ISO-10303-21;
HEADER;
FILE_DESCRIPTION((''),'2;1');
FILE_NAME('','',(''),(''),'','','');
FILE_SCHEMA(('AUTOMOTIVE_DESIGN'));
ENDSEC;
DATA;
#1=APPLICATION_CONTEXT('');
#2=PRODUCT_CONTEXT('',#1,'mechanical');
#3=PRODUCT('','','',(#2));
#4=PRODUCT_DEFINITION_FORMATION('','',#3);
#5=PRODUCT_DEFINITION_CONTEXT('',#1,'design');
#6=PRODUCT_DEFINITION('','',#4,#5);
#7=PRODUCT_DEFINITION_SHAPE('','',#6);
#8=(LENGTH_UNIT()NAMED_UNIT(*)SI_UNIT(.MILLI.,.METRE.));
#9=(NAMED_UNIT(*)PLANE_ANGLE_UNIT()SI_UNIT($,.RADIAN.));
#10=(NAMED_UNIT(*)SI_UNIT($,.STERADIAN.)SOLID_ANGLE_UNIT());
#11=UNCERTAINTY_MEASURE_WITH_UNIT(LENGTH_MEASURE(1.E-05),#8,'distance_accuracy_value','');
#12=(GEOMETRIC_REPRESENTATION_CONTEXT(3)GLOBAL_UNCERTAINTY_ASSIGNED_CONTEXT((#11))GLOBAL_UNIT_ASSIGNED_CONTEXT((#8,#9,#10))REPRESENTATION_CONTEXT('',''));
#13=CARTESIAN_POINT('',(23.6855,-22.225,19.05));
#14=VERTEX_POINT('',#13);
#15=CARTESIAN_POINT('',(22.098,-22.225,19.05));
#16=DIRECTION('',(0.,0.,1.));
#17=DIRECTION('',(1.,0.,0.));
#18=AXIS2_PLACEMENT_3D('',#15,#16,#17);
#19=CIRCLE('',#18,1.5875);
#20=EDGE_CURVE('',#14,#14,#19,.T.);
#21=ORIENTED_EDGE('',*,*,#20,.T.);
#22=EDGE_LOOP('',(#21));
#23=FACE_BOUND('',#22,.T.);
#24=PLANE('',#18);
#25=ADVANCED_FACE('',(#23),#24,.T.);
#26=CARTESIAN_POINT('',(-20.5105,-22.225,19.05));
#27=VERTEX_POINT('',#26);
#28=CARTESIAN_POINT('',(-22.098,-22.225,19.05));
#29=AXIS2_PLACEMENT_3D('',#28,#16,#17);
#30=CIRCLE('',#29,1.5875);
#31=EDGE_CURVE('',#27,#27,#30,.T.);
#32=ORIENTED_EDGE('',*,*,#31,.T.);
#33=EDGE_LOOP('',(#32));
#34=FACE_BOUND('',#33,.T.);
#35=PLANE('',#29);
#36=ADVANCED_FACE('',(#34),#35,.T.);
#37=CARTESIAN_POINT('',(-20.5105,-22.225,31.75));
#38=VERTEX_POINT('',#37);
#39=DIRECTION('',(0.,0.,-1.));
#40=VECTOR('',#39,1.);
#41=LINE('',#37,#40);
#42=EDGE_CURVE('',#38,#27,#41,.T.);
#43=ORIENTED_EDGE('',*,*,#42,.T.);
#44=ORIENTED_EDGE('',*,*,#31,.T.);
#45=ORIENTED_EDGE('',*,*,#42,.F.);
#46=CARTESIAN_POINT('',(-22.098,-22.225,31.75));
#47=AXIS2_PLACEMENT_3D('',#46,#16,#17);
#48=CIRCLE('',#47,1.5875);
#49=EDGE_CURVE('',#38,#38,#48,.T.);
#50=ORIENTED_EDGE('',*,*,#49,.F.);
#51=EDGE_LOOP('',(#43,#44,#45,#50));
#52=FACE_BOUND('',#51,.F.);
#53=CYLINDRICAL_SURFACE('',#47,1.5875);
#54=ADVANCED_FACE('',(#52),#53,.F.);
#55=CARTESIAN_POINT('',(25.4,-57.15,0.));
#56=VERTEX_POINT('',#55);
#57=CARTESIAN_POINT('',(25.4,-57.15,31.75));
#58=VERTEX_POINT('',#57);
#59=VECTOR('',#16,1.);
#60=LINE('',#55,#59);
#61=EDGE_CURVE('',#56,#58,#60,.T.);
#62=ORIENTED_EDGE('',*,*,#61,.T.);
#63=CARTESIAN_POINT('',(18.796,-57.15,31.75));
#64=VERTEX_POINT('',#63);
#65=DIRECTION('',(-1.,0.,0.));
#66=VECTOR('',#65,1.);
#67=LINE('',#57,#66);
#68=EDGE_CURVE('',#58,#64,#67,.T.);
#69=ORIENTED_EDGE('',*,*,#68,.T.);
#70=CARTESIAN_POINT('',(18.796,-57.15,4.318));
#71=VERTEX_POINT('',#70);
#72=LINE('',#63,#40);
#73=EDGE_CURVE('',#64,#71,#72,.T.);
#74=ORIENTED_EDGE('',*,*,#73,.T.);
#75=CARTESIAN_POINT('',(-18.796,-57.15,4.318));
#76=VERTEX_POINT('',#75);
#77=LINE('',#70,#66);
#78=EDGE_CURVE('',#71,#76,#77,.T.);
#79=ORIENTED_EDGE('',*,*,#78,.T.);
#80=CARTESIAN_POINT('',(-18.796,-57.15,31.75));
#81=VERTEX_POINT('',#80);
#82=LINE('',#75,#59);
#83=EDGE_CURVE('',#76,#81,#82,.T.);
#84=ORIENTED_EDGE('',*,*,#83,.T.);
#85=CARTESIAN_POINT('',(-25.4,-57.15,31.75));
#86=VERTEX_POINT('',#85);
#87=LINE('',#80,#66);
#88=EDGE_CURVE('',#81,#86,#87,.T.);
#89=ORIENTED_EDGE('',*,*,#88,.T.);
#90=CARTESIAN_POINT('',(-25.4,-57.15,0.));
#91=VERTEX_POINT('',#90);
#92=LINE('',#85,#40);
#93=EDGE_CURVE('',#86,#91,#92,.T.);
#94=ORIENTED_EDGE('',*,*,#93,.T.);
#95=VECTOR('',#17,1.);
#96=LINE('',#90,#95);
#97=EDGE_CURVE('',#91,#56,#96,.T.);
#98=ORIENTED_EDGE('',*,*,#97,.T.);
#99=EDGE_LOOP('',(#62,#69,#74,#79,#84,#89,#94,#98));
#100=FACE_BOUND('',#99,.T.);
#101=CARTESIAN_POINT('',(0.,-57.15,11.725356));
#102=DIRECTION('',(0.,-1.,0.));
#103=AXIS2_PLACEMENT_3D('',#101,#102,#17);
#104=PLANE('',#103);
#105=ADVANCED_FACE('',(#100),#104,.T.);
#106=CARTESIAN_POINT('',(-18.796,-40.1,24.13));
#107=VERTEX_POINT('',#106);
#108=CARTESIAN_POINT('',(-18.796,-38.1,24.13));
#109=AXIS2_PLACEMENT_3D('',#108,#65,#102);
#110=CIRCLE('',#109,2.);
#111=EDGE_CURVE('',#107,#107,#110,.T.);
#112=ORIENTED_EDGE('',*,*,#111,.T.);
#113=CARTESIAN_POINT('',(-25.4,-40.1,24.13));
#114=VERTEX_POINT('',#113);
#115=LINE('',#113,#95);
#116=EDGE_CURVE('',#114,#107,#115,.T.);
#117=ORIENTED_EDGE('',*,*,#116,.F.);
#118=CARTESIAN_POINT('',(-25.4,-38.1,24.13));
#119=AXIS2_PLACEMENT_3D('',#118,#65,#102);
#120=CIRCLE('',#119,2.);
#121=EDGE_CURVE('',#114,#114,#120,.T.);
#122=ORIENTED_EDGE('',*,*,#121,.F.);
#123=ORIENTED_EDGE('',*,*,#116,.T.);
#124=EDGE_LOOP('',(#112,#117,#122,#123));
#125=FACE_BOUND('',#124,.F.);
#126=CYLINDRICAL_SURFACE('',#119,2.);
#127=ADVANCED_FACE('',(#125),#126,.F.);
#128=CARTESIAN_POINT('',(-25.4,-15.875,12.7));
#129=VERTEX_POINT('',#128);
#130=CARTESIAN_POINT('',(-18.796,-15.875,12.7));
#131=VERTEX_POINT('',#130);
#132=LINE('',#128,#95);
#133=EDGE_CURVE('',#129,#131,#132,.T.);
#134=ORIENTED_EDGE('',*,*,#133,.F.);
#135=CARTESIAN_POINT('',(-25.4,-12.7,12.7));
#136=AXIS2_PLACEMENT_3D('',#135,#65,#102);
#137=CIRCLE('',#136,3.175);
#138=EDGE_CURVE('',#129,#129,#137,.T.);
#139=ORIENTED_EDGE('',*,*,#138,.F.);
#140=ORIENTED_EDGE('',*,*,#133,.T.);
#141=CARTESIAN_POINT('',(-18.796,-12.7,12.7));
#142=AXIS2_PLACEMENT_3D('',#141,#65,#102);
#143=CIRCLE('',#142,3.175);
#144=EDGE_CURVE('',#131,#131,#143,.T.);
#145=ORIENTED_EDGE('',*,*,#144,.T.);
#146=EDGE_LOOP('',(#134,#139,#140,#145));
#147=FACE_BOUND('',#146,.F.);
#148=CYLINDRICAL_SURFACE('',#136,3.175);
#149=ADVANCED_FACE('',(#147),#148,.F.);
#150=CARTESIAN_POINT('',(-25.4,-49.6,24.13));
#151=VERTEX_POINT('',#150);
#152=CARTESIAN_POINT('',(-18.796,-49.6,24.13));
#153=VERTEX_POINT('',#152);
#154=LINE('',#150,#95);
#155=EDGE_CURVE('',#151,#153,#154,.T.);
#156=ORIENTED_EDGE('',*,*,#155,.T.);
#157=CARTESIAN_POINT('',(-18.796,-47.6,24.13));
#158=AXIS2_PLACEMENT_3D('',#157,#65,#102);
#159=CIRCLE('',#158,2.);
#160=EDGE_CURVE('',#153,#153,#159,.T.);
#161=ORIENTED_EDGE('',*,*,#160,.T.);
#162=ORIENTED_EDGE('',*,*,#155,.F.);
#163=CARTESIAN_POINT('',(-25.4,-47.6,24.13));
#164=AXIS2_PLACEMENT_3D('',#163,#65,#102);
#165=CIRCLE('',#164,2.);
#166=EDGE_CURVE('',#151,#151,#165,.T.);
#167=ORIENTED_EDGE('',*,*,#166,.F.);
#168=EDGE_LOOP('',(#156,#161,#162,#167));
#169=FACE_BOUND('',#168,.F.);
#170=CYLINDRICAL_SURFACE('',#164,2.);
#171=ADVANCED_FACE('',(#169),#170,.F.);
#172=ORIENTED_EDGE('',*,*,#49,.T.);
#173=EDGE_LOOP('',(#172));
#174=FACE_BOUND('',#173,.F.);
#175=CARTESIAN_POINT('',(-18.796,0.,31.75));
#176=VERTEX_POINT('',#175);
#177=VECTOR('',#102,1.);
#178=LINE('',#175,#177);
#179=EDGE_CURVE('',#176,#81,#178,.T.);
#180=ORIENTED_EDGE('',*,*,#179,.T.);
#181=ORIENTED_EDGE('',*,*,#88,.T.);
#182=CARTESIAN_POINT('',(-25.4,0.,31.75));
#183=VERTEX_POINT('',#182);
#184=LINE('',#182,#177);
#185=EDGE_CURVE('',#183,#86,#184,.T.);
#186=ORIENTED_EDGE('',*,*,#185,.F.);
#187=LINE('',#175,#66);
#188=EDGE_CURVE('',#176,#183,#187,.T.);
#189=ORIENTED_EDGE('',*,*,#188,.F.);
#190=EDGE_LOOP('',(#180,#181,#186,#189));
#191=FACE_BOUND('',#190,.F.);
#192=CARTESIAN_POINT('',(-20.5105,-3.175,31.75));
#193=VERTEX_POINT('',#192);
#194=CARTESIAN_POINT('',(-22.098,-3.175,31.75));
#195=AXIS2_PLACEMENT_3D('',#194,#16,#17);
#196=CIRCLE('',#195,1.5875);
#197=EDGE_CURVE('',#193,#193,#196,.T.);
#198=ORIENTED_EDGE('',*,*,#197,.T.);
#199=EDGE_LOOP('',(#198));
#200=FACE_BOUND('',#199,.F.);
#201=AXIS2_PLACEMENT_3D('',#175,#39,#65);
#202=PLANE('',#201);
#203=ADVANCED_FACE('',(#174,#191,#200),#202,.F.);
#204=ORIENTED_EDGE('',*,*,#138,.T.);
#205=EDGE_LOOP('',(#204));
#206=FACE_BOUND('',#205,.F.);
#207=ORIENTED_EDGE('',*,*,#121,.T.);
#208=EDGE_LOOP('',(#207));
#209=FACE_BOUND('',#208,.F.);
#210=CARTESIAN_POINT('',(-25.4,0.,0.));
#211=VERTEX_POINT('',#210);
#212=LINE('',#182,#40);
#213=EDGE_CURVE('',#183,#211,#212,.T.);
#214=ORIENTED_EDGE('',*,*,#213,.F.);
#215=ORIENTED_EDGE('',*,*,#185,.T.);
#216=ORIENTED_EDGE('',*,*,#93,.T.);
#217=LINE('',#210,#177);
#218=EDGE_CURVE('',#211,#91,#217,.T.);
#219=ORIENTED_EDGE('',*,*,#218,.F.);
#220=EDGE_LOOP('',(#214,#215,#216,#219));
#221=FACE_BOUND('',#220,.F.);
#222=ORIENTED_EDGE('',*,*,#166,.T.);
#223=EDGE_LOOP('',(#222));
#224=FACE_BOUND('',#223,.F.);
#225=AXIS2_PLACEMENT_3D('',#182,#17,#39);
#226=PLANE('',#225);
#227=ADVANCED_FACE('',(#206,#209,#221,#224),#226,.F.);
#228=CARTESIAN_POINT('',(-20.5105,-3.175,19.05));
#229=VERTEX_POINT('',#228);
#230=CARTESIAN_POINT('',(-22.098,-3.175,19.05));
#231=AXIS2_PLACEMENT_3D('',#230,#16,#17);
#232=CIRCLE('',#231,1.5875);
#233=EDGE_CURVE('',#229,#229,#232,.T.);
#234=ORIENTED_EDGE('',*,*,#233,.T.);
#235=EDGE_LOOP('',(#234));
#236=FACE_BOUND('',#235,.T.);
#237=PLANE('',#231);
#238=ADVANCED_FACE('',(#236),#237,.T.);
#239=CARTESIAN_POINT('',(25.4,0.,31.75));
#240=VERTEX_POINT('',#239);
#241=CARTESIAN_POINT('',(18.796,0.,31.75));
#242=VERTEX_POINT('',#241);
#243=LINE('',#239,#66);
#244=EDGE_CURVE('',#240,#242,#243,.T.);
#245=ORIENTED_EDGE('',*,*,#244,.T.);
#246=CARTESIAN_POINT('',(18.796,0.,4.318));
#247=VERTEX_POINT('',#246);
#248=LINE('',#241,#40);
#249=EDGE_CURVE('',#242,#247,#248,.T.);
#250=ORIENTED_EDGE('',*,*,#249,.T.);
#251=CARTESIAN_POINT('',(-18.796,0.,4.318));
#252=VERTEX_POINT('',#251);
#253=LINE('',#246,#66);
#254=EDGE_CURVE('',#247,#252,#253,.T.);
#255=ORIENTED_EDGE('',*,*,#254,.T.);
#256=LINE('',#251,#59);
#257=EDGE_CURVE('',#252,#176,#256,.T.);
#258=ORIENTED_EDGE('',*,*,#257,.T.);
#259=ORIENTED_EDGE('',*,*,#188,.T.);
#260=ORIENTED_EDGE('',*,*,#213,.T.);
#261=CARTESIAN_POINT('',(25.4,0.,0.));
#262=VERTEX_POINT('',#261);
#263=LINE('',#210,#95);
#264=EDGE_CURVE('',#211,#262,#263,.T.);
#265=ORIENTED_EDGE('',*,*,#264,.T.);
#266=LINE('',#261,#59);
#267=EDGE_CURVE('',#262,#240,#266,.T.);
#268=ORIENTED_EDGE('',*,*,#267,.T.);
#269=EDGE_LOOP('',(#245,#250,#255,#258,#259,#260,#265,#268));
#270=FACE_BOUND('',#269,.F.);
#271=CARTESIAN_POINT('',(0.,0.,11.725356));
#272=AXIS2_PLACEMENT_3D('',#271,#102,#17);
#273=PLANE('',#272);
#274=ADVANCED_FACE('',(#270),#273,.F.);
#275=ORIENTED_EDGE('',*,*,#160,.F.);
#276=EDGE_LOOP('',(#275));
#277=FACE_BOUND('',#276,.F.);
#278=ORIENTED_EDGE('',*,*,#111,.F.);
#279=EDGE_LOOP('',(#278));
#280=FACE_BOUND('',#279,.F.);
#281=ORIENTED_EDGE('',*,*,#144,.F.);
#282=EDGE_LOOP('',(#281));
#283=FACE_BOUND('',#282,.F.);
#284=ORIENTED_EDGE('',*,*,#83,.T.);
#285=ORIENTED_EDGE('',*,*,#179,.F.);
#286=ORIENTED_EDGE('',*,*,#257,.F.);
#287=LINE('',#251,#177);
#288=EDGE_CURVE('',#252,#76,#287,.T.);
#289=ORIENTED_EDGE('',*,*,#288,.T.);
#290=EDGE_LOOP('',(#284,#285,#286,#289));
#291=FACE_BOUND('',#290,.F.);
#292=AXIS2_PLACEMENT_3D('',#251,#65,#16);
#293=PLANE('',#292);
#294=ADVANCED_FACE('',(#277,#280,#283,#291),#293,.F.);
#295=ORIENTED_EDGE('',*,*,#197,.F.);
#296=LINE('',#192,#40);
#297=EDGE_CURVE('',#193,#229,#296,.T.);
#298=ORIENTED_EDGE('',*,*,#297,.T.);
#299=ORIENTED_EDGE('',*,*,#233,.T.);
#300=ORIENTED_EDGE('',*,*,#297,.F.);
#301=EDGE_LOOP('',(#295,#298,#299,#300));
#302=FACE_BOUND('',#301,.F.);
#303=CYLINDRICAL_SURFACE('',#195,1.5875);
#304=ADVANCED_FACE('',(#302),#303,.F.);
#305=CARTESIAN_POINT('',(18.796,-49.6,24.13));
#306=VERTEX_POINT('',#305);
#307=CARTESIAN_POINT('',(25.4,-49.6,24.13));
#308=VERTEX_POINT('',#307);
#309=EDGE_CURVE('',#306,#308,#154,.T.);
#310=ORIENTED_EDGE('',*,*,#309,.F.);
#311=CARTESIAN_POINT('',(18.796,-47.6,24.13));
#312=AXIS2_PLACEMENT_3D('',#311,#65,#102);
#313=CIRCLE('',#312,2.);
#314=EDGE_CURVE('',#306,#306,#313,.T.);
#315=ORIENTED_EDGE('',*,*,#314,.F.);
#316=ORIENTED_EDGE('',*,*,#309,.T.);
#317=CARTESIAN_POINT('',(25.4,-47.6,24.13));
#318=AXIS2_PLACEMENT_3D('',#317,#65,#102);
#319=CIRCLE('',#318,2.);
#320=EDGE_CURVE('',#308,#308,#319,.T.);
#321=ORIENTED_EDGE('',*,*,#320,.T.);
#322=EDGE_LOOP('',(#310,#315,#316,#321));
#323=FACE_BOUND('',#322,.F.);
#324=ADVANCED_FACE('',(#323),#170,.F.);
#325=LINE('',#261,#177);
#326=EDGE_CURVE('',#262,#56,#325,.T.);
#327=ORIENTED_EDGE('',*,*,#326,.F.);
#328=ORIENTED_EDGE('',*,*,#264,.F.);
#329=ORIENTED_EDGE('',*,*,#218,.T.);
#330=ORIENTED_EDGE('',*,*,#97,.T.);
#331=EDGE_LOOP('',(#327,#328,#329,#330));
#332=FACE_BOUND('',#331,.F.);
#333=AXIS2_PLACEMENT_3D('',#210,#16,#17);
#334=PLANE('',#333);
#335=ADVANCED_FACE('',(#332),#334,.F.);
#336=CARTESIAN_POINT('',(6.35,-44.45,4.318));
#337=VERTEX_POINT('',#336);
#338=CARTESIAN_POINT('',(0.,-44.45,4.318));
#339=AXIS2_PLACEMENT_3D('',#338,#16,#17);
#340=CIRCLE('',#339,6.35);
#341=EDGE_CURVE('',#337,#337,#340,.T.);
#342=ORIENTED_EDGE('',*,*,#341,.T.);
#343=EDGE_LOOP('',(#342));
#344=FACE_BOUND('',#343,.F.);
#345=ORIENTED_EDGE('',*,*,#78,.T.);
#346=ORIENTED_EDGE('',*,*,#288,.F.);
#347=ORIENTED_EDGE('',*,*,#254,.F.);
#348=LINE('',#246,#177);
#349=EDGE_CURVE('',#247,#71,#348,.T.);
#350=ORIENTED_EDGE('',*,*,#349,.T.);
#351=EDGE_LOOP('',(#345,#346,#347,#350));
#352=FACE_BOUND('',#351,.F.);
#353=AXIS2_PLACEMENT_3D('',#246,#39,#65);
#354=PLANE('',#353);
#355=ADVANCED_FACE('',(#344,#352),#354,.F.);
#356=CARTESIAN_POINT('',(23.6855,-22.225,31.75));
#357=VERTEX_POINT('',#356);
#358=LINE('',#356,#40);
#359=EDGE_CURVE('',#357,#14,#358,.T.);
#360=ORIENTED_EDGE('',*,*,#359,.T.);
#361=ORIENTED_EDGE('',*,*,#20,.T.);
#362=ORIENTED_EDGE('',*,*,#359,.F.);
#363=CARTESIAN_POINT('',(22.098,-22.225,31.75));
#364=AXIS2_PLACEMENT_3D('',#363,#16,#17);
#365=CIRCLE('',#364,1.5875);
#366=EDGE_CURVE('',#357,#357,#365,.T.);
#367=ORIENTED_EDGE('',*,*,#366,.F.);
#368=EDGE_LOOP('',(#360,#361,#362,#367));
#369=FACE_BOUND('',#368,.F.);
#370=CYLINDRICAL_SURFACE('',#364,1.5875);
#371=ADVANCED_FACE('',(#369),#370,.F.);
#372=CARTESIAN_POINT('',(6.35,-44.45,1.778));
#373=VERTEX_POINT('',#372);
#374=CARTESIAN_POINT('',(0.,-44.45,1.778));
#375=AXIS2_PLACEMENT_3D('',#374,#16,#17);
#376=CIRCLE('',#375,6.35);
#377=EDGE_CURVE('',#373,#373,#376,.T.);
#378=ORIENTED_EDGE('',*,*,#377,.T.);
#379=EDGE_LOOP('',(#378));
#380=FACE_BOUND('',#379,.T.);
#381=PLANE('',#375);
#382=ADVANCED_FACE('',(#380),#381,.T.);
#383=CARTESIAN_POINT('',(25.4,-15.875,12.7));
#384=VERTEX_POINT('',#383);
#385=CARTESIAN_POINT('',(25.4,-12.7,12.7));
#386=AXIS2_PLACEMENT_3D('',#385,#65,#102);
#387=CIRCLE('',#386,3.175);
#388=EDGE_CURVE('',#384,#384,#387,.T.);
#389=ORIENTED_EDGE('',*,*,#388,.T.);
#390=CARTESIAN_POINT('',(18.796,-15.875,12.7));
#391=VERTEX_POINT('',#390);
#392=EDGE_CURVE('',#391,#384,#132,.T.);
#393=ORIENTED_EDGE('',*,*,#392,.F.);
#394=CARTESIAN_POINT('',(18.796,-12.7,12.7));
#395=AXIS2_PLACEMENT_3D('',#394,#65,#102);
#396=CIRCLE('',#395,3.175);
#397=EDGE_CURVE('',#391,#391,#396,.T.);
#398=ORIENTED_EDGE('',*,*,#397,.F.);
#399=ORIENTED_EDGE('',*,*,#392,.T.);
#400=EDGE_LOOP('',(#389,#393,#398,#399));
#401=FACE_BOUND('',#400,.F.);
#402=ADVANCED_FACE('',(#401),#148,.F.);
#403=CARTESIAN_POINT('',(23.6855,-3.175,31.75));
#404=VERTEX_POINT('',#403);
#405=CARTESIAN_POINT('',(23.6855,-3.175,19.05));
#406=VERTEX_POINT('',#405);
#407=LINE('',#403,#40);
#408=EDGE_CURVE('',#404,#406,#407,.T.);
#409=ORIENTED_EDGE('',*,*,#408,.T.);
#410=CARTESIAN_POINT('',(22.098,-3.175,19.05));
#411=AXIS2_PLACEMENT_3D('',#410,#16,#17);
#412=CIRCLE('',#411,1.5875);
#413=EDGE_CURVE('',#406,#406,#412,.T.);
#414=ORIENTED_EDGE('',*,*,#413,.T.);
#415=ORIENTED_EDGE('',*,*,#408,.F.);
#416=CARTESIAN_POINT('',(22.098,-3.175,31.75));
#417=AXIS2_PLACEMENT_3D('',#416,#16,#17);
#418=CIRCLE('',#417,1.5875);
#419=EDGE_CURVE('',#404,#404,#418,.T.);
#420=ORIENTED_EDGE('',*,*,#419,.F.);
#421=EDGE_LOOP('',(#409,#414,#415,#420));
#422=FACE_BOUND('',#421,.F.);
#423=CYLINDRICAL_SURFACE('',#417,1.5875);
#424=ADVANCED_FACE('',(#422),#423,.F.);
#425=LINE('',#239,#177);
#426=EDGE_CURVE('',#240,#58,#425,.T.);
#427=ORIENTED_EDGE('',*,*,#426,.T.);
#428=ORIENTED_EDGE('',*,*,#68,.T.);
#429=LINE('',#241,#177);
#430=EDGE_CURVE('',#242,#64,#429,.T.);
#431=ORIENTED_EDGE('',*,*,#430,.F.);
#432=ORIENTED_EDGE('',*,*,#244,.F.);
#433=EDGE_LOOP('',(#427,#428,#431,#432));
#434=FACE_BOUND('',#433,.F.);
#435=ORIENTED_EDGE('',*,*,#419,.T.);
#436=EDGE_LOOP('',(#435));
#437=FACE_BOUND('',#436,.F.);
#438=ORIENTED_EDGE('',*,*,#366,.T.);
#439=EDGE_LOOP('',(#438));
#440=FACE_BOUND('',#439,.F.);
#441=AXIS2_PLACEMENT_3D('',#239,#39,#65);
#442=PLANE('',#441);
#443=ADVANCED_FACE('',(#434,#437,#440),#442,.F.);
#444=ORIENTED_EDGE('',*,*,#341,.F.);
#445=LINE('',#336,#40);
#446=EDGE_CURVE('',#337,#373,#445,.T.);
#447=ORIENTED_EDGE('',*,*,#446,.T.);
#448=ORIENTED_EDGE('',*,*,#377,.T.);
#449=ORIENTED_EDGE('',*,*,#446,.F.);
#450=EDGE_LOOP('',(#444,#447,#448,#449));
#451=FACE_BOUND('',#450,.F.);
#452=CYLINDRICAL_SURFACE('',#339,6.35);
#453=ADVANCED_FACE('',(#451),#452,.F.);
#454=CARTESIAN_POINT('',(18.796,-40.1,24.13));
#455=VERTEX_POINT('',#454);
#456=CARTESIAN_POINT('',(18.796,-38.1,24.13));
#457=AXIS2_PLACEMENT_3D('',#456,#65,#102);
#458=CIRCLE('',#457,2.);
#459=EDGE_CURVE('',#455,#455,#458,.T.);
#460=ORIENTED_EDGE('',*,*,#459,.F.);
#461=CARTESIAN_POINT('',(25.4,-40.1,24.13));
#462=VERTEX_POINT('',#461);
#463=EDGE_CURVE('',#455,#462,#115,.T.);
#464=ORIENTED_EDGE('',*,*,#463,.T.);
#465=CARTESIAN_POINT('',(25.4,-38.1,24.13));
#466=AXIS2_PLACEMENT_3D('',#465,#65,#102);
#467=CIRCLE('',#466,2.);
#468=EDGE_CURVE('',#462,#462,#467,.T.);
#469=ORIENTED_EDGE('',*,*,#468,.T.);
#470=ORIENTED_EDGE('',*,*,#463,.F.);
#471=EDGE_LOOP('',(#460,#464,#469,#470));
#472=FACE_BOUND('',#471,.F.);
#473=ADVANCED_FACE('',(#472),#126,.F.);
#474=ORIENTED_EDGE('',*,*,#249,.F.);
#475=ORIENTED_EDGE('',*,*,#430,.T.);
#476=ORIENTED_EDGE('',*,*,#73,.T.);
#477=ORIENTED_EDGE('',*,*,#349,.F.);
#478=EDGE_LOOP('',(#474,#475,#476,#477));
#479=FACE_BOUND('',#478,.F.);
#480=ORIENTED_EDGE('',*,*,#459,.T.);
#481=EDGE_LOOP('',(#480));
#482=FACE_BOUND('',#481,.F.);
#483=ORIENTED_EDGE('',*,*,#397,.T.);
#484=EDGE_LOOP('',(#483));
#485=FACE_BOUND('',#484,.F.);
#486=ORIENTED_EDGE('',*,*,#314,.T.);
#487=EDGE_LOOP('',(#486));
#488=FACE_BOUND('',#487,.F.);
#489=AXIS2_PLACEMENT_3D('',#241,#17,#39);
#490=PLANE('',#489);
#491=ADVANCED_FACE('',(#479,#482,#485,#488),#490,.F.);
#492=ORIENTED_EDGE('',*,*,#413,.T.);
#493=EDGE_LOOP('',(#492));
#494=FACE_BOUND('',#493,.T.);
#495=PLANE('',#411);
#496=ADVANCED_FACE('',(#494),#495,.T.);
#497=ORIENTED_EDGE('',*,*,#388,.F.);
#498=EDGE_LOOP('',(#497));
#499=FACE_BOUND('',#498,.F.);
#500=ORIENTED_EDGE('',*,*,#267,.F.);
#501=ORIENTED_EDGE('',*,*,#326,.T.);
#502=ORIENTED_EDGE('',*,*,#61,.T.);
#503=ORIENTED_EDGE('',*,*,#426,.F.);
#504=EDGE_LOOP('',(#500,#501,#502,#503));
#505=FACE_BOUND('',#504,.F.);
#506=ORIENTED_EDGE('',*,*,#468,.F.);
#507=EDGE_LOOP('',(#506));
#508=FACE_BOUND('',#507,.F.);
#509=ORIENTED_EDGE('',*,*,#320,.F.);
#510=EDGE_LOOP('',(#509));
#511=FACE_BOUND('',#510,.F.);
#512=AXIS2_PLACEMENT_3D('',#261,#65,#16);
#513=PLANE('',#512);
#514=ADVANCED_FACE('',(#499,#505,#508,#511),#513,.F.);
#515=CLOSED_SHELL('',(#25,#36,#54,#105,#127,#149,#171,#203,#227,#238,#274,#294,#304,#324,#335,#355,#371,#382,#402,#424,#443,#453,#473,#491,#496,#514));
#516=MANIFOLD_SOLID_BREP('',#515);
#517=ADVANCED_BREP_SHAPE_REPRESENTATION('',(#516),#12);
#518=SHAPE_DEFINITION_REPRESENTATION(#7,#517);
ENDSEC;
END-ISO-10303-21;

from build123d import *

# Parameters (mm, degrees)
F1_DEPTH = 57.15
F2_R     = 3.175
F3_DEPTH = 50.801
F4_R     = 6.35
F5_DEPTH = 2.54
F6_R     = 2
F7_DEPTH = 50.801
F8_R     = 1.5875
F9_DEPTH = 12.7


with BuildPart() as f1:
    # F0 (on Front) → F1 (new body)
    with BuildSketch(Plane.XZ):
        Polygon((-25.4, 0), (0, 0), (25.4, 0), (25.4, 31.75), (18.796, 31.75), (18.796, 4.318), (0, 4.318), (-18.796, 4.318), (-18.796, 31.75), (-25.4, 31.75), align=None)
    extrude(amount=F1_DEPTH)

    # F2 (on face) → F3 (cut, through all)
    with BuildSketch(Plane(origin=(-25.4, 0, 0), x_dir=(0, -1, 0), z_dir=(-1, 0, 0))):
        with Locations((12.7, 12.7)):
            Circle(F2_R)
    extrude(amount=-F3_DEPTH, mode=Mode.SUBTRACT)

    # F4 (on face) → F5 (cut)
    with BuildSketch(Plane.XY.offset(4.318)):
        with Locations((0, -44.45)):
            Circle(F4_R)
    extrude(amount=-F5_DEPTH, mode=Mode.SUBTRACT)

    # F6 (on face) → F7 (cut, through all)
    with BuildSketch(Plane(origin=(-25.4, 0, 0), x_dir=(0, -1, 0), z_dir=(-1, 0, 0))):
        with Locations((38.1, 24.13)):
            Circle(F6_R)
        with Locations((47.6, 24.13)):
            Circle(F6_R)
    extrude(amount=-F7_DEPTH, mode=Mode.SUBTRACT)

    # F8 (on face) → F9 (cut)
    with BuildSketch(Plane.XY.offset(31.75)):
        with Locations((-22.098, -3.175)):
            Circle(F8_R)
        with Locations((-22.098, -22.225)):
            Circle(F8_R)
        with Locations((22.098, -3.175)):
            Circle(F8_R)
        with Locations((22.098, -22.225)):
            Circle(F8_R)
    extrude(amount=-F9_DEPTH, mode=Mode.SUBTRACT)


solid = f1.part
